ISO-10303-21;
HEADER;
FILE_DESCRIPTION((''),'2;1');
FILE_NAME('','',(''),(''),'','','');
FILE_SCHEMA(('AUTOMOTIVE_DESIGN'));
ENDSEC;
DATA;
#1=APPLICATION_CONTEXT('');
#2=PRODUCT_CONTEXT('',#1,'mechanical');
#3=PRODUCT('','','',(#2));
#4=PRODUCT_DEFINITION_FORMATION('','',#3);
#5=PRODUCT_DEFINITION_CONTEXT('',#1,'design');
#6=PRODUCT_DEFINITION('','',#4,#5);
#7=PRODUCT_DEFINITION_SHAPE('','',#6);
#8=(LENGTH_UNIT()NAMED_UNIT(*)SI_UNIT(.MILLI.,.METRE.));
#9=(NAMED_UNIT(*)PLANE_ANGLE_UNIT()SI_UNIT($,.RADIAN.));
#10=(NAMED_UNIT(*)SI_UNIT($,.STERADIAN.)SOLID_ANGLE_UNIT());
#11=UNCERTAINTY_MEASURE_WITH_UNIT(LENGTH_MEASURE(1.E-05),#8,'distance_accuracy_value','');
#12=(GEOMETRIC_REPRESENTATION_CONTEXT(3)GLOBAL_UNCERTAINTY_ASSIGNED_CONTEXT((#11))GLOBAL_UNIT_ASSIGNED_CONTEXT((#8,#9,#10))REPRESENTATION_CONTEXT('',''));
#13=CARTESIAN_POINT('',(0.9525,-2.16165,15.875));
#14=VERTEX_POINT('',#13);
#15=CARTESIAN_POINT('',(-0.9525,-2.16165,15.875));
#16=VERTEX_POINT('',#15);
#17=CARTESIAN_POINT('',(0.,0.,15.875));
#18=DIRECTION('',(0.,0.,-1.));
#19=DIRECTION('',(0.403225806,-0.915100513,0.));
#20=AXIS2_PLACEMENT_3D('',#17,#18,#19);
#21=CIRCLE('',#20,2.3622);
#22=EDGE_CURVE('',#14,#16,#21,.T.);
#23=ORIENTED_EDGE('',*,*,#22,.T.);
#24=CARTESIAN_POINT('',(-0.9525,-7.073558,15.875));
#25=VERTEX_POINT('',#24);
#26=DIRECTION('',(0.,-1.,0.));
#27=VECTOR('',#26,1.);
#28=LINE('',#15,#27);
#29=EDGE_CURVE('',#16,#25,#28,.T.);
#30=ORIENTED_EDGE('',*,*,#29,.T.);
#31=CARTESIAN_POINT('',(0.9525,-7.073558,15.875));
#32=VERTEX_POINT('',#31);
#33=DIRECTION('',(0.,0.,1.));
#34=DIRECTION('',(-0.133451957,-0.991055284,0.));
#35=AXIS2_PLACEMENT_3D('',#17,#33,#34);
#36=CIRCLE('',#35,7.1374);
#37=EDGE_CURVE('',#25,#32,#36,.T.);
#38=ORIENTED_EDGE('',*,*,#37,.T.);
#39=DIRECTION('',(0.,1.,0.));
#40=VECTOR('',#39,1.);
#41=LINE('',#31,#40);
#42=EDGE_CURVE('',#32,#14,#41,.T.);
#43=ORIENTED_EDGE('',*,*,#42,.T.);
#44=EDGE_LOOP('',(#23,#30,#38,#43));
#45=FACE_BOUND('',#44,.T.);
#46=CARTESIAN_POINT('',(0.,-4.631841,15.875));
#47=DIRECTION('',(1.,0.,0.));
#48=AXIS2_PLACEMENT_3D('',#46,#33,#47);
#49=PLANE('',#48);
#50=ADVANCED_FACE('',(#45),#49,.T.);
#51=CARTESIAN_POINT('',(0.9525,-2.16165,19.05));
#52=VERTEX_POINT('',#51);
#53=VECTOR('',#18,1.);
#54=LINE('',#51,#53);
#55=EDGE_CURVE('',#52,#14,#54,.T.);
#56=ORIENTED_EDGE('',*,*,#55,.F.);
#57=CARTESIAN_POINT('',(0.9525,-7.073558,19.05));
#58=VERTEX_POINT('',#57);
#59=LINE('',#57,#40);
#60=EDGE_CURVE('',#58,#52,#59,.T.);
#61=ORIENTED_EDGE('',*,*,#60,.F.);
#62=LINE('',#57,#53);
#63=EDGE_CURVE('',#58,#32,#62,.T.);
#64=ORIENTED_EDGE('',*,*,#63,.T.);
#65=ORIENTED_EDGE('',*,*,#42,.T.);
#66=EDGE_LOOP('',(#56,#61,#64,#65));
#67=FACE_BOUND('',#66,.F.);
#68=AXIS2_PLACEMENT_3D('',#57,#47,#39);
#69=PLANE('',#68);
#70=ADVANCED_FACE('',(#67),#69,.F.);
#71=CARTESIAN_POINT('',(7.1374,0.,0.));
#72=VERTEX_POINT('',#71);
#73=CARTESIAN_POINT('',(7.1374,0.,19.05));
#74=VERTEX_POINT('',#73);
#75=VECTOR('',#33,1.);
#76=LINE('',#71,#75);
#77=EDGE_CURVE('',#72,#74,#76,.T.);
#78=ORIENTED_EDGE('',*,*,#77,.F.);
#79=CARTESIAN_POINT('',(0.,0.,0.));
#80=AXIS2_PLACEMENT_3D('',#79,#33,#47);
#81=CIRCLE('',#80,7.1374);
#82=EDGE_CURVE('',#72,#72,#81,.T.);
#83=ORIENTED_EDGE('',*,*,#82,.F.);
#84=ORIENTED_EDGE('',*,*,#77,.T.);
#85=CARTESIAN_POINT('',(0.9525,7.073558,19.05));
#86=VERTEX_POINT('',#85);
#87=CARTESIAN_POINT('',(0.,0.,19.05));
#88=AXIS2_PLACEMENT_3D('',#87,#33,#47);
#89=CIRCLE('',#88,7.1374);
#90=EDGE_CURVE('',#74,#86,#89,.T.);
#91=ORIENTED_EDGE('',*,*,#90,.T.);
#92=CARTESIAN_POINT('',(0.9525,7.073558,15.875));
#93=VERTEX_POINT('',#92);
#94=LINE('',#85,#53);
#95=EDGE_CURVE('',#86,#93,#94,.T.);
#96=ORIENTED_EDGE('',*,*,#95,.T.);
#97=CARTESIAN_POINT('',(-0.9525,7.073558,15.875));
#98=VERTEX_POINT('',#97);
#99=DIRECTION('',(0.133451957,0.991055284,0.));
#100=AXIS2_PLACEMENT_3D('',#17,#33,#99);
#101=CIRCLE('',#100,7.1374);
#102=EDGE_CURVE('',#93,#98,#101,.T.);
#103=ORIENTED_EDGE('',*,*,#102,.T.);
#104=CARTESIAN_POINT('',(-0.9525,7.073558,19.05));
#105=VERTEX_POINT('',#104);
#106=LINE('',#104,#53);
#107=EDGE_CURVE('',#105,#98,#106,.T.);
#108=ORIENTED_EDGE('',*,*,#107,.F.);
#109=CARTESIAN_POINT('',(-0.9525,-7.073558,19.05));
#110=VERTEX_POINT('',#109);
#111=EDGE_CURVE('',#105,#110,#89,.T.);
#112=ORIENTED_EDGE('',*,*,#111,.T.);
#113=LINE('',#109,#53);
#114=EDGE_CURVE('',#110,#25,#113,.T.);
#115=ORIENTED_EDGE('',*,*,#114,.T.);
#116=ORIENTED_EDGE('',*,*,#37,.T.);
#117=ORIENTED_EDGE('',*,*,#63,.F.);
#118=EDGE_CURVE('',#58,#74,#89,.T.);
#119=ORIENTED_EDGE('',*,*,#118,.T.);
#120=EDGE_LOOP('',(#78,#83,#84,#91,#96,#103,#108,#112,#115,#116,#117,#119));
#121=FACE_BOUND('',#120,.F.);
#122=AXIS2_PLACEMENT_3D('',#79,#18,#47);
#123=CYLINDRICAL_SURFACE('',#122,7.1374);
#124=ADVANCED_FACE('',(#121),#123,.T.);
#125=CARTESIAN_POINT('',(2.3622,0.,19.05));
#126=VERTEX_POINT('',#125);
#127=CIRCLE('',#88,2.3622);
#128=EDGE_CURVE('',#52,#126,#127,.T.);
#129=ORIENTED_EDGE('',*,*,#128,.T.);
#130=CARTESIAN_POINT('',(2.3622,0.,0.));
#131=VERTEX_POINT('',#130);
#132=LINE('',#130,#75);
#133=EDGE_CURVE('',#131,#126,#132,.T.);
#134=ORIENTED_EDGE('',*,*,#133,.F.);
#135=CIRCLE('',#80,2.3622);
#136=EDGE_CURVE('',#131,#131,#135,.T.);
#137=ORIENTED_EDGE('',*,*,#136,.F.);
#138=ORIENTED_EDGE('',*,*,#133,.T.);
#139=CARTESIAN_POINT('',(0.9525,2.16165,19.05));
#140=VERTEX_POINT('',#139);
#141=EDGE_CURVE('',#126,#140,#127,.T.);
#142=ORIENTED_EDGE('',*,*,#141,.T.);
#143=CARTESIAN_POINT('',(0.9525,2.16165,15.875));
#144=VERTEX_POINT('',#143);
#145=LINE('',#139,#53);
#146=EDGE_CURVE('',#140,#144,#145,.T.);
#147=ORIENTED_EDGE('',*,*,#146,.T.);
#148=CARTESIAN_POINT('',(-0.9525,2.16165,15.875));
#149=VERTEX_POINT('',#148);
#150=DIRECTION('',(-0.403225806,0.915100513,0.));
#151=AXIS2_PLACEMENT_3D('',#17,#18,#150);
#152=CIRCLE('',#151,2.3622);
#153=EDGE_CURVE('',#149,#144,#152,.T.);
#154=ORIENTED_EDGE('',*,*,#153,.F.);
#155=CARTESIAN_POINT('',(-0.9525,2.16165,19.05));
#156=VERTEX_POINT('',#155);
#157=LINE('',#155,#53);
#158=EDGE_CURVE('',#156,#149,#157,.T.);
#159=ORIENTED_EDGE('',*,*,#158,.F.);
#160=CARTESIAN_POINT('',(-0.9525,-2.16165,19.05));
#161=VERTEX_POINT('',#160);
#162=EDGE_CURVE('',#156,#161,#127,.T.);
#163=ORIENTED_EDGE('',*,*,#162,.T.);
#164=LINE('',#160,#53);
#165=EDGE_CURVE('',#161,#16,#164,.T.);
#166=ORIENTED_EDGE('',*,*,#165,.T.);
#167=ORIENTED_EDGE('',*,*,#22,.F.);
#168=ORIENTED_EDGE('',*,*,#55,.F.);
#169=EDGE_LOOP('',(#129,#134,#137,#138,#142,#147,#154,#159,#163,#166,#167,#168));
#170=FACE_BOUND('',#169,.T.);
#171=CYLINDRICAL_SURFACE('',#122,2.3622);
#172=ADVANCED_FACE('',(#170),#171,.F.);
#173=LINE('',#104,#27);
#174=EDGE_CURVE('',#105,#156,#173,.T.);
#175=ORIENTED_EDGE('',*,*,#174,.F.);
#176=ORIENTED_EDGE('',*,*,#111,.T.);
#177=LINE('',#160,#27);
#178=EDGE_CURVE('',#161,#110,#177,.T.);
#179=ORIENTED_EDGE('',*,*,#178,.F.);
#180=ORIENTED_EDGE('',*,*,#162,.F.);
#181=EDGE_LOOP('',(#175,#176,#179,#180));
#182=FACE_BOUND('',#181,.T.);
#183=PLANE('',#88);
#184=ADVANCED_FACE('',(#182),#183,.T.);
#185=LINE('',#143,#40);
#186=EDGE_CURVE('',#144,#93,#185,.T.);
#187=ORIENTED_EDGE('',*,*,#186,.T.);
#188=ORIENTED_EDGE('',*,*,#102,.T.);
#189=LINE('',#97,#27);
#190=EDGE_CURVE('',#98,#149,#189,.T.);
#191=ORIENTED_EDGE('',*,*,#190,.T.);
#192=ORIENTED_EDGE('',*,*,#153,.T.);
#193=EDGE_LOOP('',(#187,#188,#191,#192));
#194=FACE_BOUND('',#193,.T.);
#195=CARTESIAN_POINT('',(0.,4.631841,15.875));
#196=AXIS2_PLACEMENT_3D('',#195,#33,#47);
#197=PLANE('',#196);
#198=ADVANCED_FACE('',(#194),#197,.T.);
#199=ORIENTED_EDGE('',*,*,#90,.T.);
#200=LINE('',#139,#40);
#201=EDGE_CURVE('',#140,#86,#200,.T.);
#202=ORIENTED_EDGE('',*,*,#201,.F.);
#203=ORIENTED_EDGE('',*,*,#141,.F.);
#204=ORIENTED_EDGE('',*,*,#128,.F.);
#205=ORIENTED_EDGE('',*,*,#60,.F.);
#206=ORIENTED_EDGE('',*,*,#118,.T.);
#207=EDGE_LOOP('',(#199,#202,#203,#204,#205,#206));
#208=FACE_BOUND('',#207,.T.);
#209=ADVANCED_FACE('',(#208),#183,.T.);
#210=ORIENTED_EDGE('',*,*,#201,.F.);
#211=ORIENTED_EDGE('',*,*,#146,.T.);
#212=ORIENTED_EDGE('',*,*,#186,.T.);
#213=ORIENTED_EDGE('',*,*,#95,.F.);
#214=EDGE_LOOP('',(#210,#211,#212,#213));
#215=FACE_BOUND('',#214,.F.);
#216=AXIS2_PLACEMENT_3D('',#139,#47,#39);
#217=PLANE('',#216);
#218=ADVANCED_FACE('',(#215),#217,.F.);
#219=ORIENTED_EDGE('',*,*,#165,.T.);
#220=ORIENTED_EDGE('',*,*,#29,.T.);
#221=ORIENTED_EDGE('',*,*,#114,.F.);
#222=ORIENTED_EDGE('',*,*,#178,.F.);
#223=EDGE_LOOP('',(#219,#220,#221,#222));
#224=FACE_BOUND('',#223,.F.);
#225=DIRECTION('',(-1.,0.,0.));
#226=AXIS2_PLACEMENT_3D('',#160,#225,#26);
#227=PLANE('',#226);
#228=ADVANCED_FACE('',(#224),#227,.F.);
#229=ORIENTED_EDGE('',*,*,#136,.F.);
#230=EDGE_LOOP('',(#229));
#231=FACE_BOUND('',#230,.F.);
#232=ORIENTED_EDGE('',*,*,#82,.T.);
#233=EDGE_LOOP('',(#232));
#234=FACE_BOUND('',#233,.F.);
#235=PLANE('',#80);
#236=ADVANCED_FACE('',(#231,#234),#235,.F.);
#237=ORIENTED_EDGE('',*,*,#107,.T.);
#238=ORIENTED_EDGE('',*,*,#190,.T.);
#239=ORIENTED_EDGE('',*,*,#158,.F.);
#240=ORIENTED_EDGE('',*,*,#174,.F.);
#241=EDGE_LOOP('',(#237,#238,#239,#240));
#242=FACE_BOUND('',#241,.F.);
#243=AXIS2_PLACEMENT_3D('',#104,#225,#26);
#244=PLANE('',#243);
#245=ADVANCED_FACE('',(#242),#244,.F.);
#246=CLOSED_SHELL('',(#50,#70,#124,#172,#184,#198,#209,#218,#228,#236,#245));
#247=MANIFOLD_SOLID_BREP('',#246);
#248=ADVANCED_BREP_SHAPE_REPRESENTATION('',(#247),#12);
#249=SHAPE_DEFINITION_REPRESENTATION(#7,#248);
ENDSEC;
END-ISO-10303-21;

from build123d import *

# Parameters (mm, degrees)
F0_R     = 7.1374
F0_R_2   = 2.3622
F1_DEPTH = 19.05
F3_DEPTH = 3.175


with BuildPart() as f1:
    # F0 (on Top) → F1 (new body)
    with BuildSketch(Plane.XY):
        Circle(F0_R)
        Circle(F0_R_2, mode=Mode.SUBTRACT)
    extrude(amount=F1_DEPTH)

    # F2 (on face) → F3 (cut)
    with BuildSketch(Plane.XY.offset(19.05)):
        with BuildLine():
            ThreePointArc((0.9525, 7.073557981), (0, 7.1374), (-0.9525, 7.073557981))
            Line((-0.9525, 7.073557981), (-0.9525, 2.161650432))
            ThreePointArc((-0.9525, 2.161650432), (0, 2.3622), (0.9525, 2.161650432))
            Line((0.9525, 2.161650432), (0.9525, 7.073557981))
        make_face()
        with BuildLine():
            Line((-0.9525, -2.161650432), (-0.9525, -7.073557981))
            ThreePointArc((-0.9525, -7.073557981), (0, -7.1374), (0.9525, -7.073557981))
            Line((0.9525, -7.073557981), (0.9525, -2.161650432))
            ThreePointArc((0.9525, -2.161650432), (0, -2.3622), (-0.9525, -2.161650432))
        make_face()
    extrude(amount=-F3_DEPTH, mode=Mode.SUBTRACT)


solid = f1.part
